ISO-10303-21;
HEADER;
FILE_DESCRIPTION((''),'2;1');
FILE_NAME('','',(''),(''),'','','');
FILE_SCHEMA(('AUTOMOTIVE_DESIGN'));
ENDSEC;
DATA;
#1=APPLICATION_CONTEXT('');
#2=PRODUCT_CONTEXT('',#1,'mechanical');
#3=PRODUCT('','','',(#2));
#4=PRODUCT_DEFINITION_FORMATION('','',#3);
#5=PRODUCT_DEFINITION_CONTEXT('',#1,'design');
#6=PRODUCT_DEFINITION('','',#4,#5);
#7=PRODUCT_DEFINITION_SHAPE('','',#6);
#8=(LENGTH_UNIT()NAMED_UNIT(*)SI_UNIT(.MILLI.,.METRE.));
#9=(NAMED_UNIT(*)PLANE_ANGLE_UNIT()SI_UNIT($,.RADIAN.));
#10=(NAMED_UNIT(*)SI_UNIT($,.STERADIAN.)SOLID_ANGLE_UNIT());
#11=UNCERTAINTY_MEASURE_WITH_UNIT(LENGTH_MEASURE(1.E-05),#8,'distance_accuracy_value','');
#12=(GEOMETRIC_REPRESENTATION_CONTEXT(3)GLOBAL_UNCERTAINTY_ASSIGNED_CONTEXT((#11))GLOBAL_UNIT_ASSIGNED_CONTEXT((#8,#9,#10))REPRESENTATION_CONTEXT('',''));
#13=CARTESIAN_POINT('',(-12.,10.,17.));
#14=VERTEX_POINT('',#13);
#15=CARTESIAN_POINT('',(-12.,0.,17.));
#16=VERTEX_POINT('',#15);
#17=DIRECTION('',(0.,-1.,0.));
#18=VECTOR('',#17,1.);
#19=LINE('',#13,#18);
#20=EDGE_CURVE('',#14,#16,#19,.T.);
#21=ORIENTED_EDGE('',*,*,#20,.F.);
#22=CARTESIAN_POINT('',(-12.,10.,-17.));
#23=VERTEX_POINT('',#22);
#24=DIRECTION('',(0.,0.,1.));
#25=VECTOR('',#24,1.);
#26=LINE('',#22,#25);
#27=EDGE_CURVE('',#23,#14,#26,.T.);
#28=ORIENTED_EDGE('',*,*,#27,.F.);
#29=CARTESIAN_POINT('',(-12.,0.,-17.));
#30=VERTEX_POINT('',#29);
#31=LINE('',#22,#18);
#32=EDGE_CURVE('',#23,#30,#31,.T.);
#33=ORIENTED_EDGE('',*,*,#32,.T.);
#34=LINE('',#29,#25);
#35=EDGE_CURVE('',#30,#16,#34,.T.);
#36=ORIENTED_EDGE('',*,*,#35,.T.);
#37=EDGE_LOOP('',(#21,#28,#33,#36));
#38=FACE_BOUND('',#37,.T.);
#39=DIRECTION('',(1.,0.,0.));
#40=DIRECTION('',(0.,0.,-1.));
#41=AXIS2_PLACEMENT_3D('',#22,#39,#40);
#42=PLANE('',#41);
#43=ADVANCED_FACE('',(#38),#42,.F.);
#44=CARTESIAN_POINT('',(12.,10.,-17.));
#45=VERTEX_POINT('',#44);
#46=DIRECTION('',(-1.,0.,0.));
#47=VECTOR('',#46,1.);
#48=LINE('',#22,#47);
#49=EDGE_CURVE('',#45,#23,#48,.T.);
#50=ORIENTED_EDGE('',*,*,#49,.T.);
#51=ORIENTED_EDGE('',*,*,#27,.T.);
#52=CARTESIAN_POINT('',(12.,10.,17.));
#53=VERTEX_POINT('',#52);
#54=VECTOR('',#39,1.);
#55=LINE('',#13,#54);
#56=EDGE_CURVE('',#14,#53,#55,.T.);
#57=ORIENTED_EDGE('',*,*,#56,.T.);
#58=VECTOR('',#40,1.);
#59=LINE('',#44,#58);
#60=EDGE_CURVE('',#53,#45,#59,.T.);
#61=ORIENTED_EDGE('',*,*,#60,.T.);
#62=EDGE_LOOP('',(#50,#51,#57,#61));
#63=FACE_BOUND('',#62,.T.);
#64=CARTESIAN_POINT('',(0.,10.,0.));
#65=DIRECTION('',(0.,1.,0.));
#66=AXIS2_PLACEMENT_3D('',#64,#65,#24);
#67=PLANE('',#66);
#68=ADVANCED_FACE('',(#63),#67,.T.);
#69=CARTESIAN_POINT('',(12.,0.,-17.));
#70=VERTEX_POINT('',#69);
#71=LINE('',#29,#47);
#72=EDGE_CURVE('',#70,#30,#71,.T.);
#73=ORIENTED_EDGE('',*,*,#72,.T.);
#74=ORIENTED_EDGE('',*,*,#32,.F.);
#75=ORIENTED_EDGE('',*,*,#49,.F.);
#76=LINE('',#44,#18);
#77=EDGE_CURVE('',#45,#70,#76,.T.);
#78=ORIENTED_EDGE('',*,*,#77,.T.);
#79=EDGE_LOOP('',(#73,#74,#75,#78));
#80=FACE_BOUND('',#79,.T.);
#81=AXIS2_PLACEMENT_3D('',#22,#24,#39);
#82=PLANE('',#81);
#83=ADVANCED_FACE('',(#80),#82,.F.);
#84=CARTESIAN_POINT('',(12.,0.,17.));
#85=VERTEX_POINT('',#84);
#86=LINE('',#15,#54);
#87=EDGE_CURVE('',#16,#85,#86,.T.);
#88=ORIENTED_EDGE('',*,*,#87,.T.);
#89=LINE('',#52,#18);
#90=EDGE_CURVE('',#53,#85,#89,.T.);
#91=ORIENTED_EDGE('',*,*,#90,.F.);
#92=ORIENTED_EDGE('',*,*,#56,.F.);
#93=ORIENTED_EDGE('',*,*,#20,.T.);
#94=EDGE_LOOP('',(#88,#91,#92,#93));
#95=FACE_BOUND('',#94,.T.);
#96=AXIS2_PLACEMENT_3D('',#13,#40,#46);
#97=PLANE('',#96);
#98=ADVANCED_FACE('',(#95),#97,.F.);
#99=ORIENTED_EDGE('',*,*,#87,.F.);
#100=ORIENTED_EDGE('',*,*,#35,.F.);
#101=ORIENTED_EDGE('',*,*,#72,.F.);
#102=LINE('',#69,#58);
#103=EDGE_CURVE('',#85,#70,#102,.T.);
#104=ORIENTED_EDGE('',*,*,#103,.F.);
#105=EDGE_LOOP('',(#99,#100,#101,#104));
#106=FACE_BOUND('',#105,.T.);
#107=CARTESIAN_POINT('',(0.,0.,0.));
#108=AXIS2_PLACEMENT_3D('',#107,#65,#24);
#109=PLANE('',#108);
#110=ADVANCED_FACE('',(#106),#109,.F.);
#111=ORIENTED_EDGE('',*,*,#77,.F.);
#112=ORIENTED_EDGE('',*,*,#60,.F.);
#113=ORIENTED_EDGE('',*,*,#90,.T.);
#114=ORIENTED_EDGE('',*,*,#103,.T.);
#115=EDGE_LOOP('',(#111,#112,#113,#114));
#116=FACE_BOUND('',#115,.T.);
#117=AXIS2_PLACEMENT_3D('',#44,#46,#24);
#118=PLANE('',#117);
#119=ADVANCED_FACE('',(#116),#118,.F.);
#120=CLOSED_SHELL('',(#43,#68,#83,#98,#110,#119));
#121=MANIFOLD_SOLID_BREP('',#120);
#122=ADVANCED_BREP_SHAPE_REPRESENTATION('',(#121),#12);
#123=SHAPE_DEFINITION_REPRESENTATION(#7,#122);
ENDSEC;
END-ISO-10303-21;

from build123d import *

# Parameters (mm, degrees)
SK_ENVELOPE_W     = 24
SK_ENVELOPE_H     = 34
EX_ENVELOPE_DEPTH = 10


with BuildPart() as part:
    # SK_Envelope → EX_Envelope (new body)
    with BuildSketch(Plane(origin=(0, 0, 0), x_dir=(1, 0, 0), z_dir=(0, 1, 0))):
        Rectangle(SK_ENVELOPE_W, SK_ENVELOPE_H)
    extrude(amount=EX_ENVELOPE_DEPTH)


solid = part.part
